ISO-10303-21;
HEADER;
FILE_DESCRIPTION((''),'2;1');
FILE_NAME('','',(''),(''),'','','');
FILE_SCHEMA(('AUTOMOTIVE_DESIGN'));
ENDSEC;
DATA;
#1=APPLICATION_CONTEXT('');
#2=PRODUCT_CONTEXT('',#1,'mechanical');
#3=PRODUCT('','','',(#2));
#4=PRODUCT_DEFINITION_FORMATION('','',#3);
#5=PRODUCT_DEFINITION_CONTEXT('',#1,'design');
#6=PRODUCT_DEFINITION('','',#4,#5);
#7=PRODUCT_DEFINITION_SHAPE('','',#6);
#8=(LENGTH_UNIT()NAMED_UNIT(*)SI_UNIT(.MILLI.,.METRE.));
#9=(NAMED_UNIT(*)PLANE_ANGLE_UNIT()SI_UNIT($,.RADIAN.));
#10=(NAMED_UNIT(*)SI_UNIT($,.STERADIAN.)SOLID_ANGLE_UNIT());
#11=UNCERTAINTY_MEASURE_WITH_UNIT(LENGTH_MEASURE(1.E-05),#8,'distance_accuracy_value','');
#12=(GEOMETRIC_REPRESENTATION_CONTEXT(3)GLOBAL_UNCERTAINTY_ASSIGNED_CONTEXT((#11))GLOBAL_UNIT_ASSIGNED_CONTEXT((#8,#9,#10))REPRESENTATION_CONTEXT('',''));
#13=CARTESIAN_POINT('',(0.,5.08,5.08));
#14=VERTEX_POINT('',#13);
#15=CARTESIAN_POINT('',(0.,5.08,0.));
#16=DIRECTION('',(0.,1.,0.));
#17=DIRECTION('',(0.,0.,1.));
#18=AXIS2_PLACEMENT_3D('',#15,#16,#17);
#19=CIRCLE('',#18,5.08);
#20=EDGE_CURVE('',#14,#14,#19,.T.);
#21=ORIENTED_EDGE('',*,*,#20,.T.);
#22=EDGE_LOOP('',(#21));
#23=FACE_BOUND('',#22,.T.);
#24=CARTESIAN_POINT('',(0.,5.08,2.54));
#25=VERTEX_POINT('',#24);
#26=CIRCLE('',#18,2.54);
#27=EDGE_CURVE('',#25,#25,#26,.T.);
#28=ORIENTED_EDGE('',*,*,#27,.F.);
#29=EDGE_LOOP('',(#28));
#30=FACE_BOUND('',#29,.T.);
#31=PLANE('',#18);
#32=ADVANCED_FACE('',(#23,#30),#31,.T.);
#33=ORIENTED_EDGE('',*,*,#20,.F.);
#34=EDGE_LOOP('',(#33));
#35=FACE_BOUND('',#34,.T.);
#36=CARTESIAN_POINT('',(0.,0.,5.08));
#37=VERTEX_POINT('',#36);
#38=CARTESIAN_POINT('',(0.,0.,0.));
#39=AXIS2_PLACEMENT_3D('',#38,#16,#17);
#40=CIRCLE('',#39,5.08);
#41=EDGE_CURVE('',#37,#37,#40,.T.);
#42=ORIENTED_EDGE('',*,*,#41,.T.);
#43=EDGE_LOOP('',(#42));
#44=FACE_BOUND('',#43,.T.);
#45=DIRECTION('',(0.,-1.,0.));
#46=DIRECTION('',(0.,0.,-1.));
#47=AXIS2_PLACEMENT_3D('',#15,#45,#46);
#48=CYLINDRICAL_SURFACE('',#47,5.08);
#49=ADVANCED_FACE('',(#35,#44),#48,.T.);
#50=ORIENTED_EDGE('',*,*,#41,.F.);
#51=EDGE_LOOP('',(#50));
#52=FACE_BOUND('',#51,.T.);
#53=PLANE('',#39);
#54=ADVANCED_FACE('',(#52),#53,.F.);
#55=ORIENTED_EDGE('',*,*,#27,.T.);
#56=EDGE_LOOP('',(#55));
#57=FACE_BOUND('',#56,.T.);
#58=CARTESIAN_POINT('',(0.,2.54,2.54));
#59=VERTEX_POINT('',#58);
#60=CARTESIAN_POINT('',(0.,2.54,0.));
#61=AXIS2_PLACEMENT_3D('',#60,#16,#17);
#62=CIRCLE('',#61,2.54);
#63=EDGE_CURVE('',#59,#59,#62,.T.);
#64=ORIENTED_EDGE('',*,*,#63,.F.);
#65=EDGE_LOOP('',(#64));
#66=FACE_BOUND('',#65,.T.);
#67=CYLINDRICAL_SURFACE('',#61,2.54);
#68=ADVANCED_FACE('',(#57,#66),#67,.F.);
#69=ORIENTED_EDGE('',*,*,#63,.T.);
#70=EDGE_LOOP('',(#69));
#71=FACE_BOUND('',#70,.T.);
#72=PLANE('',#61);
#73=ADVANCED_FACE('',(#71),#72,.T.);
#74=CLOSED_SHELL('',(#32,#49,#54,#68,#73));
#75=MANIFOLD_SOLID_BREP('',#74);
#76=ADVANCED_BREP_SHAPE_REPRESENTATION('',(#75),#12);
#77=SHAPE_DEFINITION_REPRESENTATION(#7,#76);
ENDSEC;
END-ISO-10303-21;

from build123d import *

# Parameters (mm, degrees)
SKETCH1_R           = 5.08
BOSS_EXTRUDE1_DEPTH = 5.08
SKETCH2_R           = 2.54
CUT_EXTRUDE1_DEPTH  = 2.54


with BuildPart() as part:
    # Sketch1 → Boss-Extrude1 (new body)
    with BuildSketch(Plane(origin=(0, 0, 0), x_dir=(1, 0, 0), z_dir=(0, 1, 0))):
        with Locations(Location((0, 0, 0), (0, 0, 270))):
            Circle(SKETCH1_R)
    extrude(amount=BOSS_EXTRUDE1_DEPTH)

    # Sketch2 → Cut-Extrude1 (cut)
    with BuildSketch(Plane(origin=(0, 5.08, 0), x_dir=(1, 0, 0), z_dir=(0, 1, 0))):
        with Locations(Location((0, 0, 0), (0, 0, 270))):
            Circle(SKETCH2_R)
    extrude(amount=-CUT_EXTRUDE1_DEPTH, mode=Mode.SUBTRACT)


solid = part.part
